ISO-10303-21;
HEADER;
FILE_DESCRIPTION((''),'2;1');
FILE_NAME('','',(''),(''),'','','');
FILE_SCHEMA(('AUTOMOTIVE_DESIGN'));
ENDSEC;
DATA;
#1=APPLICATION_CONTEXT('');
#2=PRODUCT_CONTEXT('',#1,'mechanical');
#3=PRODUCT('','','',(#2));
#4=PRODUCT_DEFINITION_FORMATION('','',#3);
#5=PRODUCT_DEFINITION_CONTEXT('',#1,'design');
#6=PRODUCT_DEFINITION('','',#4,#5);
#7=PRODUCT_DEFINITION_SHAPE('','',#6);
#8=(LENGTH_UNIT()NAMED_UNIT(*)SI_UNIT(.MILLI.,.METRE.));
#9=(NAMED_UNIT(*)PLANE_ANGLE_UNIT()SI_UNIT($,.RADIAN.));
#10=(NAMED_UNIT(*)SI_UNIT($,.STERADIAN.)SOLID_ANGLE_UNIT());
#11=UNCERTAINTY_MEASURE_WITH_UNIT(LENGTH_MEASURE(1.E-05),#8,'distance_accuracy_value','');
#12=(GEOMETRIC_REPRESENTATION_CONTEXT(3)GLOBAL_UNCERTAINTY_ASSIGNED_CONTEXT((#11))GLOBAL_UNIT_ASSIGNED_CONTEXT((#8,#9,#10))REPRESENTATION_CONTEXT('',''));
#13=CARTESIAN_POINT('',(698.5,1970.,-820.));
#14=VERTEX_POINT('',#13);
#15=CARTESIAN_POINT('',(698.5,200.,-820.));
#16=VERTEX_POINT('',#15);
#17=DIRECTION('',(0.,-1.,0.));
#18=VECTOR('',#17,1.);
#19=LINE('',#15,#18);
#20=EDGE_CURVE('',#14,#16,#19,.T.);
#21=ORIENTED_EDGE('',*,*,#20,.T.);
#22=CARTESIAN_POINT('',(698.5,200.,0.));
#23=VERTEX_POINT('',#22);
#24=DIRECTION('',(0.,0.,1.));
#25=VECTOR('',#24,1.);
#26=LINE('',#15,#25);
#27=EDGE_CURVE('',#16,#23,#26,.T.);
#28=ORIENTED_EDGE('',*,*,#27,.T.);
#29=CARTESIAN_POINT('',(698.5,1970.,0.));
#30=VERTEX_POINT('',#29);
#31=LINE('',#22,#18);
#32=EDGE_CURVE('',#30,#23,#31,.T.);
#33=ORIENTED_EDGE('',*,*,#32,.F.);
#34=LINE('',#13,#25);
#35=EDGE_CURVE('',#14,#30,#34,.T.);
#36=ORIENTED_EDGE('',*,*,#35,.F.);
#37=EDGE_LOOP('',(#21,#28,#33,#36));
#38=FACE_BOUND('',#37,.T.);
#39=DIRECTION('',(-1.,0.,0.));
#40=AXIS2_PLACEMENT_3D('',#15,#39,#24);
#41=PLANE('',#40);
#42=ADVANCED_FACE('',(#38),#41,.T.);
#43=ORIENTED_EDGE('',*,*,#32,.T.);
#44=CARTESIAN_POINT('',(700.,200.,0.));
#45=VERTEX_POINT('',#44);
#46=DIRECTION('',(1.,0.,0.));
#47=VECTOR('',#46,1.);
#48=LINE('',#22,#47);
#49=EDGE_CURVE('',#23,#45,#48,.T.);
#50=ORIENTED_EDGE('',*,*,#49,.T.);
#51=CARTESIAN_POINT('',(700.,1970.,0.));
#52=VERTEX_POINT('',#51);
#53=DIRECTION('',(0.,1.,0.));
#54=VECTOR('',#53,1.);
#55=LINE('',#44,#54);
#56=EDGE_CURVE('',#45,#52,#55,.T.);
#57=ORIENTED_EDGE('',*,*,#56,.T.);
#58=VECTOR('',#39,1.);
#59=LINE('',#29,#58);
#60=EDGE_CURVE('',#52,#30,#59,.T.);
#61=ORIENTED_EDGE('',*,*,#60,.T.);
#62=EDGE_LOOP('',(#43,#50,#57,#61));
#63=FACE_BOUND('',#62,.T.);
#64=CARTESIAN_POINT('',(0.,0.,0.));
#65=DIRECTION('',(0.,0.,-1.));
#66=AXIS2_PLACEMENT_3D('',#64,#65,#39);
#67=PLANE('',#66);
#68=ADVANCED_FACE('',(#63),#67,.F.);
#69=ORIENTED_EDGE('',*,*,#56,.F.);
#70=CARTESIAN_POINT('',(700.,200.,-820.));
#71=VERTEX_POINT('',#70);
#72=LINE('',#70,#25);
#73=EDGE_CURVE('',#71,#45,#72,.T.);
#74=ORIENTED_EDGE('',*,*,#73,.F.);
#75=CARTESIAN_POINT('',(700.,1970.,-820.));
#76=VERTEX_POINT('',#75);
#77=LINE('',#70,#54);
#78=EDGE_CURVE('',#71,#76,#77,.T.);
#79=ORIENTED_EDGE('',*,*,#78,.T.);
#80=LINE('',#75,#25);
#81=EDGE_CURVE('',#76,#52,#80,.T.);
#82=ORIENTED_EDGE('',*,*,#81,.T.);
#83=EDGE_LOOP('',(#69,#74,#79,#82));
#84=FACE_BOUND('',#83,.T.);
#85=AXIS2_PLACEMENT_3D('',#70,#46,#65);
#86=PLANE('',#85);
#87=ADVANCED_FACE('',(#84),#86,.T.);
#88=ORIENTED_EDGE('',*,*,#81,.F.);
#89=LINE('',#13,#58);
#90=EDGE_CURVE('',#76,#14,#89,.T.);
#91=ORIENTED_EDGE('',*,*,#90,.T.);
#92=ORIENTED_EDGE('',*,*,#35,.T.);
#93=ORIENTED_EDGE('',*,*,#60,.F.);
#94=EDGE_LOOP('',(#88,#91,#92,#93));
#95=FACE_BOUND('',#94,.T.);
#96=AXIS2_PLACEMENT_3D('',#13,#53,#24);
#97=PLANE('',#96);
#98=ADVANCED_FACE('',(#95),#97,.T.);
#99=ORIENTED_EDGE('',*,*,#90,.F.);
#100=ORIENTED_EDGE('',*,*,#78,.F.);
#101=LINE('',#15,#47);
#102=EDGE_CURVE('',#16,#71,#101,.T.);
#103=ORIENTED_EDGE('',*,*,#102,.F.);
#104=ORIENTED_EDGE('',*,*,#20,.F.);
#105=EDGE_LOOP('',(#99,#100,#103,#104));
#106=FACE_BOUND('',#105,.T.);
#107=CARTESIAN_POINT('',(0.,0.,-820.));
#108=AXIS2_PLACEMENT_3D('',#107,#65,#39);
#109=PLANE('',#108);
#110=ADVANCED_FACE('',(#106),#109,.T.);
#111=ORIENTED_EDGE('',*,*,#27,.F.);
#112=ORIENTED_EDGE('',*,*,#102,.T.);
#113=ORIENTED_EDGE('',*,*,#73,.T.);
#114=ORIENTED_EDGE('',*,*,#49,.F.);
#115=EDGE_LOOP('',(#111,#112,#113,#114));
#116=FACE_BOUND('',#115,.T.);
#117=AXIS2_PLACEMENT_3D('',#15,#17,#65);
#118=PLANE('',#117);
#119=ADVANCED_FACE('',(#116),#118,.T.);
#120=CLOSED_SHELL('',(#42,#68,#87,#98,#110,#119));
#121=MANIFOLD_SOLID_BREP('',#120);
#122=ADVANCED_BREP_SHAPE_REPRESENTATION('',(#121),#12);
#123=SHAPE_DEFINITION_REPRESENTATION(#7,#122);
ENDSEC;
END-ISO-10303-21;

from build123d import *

# Parameters (mm, degrees)
SKETCH1_W                   = 1.5
SKETCH1_H                   = 1770
TOPPING_DIS_YAN_SAG_1_DEPTH = 820


with BuildPart() as part:
    # Sketch1 → TOPPING_dis_yan_sag_1 (new body)
    with BuildSketch(Plane.XY):
        with Locations((699.25, 1085)):
            Rectangle(SKETCH1_W, SKETCH1_H)
    extrude(amount=-TOPPING_DIS_YAN_SAG_1_DEPTH)


solid = part.part
